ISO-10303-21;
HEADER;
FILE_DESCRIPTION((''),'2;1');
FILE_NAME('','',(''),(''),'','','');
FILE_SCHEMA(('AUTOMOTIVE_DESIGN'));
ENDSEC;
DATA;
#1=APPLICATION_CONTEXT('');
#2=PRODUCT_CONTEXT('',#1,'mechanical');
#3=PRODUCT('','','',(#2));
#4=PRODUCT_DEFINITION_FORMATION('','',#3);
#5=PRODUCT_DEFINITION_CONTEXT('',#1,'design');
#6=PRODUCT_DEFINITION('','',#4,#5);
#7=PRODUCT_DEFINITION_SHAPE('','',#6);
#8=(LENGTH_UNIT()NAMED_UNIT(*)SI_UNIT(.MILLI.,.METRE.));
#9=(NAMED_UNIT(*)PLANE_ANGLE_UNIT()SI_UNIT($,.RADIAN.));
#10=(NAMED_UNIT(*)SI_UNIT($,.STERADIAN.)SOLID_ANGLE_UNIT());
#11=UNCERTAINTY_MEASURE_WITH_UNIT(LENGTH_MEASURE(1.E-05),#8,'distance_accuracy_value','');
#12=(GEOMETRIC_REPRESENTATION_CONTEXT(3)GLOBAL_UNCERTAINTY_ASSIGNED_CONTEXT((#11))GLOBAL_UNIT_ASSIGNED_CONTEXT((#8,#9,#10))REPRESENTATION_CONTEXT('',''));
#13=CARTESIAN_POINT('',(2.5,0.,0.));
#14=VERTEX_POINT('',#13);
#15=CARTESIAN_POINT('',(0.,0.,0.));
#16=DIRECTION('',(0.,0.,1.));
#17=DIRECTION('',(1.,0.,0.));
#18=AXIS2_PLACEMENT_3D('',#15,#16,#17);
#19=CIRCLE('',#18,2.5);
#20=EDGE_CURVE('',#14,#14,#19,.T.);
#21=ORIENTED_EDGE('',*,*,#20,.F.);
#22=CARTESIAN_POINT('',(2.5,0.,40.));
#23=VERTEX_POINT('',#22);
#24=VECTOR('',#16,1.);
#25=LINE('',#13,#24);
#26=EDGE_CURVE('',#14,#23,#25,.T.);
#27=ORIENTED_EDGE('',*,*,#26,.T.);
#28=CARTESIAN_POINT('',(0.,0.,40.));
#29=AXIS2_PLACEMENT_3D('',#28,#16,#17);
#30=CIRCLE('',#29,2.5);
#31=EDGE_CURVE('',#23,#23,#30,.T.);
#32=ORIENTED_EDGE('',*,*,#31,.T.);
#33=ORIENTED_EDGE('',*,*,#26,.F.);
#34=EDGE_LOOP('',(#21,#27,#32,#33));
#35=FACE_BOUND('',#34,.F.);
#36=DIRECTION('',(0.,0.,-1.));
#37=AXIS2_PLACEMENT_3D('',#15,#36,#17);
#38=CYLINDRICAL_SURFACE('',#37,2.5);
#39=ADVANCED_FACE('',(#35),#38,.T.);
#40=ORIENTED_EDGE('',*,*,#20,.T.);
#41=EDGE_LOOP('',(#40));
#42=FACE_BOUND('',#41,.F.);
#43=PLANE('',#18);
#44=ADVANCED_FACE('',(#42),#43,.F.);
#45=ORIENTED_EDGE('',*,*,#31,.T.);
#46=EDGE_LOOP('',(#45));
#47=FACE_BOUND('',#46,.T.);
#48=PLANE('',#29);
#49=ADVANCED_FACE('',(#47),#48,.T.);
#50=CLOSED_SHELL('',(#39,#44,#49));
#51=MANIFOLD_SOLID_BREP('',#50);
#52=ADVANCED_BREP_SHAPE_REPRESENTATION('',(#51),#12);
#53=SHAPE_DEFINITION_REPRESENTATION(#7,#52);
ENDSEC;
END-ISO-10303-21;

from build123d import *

# Parameters (mm, degrees)
SKETCH1_R           = 2.5
BOSS_EXTRUDE1_DEPTH = 40


with BuildPart() as part:
    # Sketch1 → Boss-Extrude1 (new body)
    with BuildSketch(Plane.XY):
        Circle(SKETCH1_R)
    extrude(amount=BOSS_EXTRUDE1_DEPTH)


solid = part.part
